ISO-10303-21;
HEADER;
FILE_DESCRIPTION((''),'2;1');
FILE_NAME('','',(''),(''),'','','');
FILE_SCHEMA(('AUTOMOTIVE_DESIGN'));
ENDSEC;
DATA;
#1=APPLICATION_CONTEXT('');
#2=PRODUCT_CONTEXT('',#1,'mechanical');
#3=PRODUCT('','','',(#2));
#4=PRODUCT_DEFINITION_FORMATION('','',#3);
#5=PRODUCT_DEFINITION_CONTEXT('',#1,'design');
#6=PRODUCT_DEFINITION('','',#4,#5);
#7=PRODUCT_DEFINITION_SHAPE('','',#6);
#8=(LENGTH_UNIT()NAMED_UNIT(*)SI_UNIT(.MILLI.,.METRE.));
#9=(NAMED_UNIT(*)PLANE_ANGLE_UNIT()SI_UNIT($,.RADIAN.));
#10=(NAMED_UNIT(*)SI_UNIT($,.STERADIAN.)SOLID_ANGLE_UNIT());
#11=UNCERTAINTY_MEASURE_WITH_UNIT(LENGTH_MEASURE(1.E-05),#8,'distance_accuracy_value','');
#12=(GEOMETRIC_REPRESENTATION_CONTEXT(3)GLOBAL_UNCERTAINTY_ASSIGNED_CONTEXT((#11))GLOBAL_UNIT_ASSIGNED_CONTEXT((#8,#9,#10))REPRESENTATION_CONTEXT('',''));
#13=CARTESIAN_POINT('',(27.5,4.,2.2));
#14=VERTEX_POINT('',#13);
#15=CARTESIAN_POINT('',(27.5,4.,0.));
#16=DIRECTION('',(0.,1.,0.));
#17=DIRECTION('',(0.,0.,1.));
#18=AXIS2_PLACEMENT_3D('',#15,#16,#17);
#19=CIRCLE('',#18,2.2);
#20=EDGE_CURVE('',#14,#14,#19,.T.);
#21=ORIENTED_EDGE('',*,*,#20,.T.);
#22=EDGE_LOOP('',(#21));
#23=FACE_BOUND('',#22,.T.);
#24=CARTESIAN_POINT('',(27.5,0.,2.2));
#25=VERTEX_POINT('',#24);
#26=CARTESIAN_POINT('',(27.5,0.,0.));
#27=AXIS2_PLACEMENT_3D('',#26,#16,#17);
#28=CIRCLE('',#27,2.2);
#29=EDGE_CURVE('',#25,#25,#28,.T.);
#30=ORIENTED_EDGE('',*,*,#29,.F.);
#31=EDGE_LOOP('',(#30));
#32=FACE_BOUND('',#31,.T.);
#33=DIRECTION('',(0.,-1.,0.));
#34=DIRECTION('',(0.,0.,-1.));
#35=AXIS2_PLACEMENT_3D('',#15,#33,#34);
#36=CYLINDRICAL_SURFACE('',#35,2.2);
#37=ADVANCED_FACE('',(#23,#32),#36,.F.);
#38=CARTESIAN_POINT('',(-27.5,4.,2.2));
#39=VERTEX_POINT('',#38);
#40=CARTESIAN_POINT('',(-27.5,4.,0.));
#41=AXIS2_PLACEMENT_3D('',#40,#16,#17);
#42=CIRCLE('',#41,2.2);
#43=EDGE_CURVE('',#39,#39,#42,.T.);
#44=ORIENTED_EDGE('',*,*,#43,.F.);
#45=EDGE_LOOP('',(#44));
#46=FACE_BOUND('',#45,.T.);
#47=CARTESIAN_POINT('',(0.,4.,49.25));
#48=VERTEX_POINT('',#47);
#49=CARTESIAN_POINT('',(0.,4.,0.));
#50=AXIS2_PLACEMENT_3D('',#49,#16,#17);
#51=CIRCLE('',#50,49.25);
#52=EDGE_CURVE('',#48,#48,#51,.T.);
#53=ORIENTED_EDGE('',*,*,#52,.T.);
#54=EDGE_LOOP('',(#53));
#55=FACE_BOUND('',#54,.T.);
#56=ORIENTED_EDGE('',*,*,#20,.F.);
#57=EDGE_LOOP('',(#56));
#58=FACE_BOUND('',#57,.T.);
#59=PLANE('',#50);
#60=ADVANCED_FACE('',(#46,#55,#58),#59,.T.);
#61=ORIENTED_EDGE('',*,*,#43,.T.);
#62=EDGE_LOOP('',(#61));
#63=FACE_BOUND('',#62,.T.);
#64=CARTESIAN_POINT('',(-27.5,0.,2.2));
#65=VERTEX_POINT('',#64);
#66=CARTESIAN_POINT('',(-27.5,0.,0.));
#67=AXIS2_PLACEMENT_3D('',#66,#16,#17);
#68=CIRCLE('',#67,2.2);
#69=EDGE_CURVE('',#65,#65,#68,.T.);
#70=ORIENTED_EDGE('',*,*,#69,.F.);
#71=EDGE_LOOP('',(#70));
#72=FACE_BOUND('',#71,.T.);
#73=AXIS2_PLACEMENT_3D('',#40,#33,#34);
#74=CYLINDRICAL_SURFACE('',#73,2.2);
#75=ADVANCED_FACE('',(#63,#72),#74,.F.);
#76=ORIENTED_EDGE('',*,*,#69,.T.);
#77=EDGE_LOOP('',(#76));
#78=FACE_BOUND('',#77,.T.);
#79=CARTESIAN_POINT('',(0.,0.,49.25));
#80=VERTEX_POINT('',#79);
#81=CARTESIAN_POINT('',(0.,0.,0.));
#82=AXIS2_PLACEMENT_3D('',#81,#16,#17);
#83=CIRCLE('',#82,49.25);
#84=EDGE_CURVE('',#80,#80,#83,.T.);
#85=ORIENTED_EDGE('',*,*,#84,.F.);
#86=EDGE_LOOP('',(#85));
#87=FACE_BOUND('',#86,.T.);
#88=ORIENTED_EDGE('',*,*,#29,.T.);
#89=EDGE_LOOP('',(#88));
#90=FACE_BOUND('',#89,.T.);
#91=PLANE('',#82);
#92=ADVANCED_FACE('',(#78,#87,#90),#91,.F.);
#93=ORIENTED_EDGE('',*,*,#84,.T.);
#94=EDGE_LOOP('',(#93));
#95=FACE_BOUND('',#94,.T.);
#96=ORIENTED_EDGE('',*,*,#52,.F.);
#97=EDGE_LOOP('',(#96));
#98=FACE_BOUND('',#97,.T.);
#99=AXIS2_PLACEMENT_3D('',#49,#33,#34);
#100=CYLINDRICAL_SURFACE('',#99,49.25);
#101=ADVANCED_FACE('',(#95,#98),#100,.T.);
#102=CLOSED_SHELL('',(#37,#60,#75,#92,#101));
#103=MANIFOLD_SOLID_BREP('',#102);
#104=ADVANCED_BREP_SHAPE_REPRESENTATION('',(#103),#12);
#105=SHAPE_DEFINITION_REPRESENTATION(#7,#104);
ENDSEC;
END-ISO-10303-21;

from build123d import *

# Parameters (mm, degrees)
SKETCH1_R           = 49.25
SKETCH1_R_2         = 2.2
BOSS_EXTRUDE1_DEPTH = 4


with BuildPart() as part:
    # Sketch1 → Boss-Extrude1 (new body)
    with BuildSketch(Plane(origin=(0, 0, 0), x_dir=(1, 0, 0), z_dir=(0, 1, 0))):
        with Locations(Location((0, 0, 0), (0, 0, 270))):
            Circle(SKETCH1_R)
        with Locations(Location((-27.5, 0, 0), (0, 0, 270))):
            Circle(SKETCH1_R_2, mode=Mode.SUBTRACT)
        with Locations(Location((27.5, 0, 0), (0, 0, 270))):
            Circle(SKETCH1_R_2, mode=Mode.SUBTRACT)
    extrude(amount=BOSS_EXTRUDE1_DEPTH)


solid = part.part
